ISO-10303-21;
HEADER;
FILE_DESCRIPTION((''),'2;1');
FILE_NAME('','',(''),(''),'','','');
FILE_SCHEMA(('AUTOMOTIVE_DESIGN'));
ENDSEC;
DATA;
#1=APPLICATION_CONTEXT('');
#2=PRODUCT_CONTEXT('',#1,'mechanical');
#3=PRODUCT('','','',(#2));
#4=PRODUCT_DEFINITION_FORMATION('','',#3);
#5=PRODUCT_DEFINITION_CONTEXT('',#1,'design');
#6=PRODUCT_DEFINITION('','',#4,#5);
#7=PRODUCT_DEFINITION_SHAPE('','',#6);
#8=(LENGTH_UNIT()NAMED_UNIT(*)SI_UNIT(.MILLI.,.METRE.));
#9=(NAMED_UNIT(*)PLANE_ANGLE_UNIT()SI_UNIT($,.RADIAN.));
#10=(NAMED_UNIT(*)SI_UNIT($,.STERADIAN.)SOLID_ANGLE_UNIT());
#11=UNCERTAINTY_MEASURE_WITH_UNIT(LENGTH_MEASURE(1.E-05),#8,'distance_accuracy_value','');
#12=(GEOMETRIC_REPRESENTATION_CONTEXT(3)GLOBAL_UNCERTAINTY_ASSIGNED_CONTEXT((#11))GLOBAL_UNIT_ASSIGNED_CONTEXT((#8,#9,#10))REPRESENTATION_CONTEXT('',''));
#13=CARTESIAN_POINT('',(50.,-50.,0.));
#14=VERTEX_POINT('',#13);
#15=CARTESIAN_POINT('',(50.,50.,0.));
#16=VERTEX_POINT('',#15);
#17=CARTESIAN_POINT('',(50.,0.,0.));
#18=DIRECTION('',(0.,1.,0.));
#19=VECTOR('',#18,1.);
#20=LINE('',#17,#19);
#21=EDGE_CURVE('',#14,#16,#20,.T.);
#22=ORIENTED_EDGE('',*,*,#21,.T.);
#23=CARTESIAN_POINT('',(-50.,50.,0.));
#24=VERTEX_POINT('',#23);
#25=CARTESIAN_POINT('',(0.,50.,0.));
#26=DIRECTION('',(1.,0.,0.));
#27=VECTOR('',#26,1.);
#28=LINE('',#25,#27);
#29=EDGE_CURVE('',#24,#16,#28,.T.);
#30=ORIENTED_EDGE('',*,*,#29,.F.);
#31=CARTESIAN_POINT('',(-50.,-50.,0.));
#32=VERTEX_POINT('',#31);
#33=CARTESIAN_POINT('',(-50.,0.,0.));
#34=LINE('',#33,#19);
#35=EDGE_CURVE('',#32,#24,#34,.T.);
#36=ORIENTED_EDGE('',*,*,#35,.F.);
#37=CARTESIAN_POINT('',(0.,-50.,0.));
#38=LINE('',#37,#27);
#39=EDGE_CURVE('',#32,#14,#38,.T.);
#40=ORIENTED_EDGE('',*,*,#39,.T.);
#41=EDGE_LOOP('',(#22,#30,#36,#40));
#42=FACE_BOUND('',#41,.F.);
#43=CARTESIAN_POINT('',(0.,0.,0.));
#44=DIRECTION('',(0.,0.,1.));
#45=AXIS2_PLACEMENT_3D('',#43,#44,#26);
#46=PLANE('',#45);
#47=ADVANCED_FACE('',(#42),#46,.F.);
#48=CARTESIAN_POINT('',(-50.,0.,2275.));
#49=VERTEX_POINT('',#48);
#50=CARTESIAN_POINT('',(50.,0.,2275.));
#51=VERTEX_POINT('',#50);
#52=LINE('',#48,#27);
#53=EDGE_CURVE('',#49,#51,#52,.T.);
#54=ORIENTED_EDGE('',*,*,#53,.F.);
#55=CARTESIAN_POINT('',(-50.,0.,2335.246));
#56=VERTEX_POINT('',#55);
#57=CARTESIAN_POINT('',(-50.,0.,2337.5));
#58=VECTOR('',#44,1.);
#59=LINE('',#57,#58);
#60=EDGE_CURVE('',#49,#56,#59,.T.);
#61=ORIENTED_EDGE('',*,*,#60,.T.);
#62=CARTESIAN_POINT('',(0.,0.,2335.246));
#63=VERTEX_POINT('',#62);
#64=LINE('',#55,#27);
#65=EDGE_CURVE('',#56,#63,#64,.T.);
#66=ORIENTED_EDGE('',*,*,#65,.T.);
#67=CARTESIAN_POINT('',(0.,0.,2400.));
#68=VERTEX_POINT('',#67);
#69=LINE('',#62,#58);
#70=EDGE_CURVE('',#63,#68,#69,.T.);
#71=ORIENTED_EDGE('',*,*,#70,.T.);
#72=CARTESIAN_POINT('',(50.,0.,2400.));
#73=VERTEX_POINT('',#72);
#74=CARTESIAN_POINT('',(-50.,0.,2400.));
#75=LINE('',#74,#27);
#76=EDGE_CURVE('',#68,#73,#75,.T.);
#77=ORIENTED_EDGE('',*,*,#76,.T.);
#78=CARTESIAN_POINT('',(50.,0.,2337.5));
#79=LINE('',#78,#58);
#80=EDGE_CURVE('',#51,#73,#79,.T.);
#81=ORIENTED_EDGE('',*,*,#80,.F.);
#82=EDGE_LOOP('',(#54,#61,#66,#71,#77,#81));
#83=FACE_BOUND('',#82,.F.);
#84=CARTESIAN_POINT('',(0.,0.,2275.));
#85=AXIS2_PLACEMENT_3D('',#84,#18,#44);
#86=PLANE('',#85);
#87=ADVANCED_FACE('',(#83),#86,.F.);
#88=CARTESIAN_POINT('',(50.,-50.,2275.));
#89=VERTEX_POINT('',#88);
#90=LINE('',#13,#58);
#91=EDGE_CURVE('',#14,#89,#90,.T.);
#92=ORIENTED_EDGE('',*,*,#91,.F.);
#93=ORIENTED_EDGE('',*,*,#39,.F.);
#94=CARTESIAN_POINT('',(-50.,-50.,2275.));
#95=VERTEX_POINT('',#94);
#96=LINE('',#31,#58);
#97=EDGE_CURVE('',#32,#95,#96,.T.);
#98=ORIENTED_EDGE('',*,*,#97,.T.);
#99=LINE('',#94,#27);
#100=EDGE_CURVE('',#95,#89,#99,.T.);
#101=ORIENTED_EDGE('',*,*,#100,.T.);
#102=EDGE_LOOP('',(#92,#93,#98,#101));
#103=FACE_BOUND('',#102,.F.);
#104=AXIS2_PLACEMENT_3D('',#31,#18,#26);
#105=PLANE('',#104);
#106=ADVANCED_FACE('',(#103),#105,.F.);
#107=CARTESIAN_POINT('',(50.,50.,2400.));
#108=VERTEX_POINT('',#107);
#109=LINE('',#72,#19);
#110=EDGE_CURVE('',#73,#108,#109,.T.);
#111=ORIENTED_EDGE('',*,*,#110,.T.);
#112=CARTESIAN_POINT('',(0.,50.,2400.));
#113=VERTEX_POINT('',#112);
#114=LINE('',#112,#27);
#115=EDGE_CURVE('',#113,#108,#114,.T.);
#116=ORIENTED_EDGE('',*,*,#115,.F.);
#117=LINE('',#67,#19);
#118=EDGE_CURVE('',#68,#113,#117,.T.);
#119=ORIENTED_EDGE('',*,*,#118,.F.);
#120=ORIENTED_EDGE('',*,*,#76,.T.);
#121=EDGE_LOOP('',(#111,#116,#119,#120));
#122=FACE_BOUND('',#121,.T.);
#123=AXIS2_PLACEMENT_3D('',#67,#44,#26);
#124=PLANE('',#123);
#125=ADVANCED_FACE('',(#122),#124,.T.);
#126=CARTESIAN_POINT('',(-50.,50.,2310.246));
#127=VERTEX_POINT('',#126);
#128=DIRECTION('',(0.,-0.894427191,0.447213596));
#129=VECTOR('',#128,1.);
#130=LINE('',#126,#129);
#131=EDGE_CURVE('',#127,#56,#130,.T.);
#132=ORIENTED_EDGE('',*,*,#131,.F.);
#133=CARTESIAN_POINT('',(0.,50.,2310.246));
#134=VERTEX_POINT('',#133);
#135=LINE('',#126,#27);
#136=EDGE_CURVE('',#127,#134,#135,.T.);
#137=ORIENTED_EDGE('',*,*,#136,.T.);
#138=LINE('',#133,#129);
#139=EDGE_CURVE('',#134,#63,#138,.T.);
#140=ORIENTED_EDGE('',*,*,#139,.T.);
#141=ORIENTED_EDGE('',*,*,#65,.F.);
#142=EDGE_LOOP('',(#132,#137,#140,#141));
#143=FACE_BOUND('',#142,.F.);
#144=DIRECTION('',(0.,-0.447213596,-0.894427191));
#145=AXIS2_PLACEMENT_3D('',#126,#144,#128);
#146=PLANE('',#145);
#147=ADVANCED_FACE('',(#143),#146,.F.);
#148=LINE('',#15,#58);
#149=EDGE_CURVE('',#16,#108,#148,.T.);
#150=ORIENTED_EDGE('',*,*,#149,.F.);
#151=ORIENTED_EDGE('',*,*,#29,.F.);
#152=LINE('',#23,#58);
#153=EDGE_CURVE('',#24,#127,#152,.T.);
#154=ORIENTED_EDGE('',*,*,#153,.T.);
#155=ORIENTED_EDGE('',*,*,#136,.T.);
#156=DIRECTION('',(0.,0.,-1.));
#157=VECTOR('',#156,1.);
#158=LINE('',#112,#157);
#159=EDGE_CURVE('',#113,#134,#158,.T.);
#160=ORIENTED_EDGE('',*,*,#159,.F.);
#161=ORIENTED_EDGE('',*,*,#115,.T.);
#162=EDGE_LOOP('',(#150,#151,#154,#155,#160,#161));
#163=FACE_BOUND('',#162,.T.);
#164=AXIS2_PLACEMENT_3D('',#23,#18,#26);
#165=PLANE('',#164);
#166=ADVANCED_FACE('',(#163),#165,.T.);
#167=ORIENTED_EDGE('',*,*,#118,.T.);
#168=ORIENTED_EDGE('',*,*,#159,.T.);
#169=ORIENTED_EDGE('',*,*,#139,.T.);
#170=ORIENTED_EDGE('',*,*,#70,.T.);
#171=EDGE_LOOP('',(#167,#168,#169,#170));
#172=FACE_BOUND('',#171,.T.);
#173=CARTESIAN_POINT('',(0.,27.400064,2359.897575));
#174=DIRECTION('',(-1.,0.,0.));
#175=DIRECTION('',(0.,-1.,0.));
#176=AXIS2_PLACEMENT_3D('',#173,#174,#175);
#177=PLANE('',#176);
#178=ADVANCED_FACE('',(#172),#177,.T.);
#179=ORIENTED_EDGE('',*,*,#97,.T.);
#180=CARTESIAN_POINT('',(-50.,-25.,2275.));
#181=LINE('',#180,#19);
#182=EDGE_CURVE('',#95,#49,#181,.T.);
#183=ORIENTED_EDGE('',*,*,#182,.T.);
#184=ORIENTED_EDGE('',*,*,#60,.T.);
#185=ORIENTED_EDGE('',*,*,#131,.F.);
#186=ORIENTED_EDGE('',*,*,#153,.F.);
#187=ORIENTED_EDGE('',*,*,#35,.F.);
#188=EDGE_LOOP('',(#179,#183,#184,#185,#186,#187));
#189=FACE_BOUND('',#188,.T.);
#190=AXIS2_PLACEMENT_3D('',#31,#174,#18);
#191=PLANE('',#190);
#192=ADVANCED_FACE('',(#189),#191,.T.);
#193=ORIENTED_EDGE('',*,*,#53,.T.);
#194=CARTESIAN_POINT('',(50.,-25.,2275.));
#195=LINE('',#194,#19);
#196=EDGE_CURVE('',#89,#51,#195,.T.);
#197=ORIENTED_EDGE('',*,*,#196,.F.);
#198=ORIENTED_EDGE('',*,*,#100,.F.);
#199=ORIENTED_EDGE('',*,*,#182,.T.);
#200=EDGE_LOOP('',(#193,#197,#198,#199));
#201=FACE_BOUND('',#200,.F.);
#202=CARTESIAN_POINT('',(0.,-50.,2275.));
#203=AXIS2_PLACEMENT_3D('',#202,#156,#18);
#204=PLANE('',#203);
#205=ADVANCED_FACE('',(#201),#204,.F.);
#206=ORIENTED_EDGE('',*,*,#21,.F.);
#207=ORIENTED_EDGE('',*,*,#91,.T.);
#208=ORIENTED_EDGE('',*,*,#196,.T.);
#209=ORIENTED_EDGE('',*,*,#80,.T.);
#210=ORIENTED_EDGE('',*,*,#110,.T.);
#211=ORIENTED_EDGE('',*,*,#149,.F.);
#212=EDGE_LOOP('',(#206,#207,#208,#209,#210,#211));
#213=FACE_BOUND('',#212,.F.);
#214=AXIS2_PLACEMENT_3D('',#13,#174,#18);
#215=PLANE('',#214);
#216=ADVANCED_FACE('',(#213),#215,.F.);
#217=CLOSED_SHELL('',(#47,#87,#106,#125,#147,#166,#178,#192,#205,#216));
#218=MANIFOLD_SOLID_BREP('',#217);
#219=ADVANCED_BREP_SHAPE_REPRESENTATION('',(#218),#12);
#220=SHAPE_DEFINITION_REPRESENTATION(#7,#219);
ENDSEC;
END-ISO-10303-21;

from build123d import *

# Parameters (mm, degrees)
F0_W          = 100
F0_H          = 100
F1_DEPTH      = 2400
F2_W          = 50
F2_H          = 125
F3_DEPTH      = 50
F3_DEPTH_BACK = 50
F5_DEPTH      = 50


with BuildPart() as f1:
    # F0 (on Top) → F1 (new body)
    with BuildSketch(Plane.XY):
        Rectangle(F0_W, F0_H)
    extrude(amount=F1_DEPTH)

    # F2 (on Right) → F3 (cut, two sides)
    with BuildSketch(Plane.YZ) as f3_sk:
        with Locations((-25, 2337.5)):
            Rectangle(F2_W, F2_H)
    extrude(amount=-F3_DEPTH, mode=Mode.SUBTRACT)
    extrude(f3_sk.sketch, amount=F3_DEPTH_BACK, mode=Mode.SUBTRACT)

    # F4 (on face) → F5 (cut)
    with BuildSketch(Plane(origin=(-50, 0, 0), x_dir=(0, -1, 0), z_dir=(-1, 0, 0))):
        Polygon((0, 2400), (-50, 2400), (-50, 2310.246), (0, 2335.246), align=None)
    extrude(amount=-F5_DEPTH, mode=Mode.SUBTRACT)


solid = f1.part
